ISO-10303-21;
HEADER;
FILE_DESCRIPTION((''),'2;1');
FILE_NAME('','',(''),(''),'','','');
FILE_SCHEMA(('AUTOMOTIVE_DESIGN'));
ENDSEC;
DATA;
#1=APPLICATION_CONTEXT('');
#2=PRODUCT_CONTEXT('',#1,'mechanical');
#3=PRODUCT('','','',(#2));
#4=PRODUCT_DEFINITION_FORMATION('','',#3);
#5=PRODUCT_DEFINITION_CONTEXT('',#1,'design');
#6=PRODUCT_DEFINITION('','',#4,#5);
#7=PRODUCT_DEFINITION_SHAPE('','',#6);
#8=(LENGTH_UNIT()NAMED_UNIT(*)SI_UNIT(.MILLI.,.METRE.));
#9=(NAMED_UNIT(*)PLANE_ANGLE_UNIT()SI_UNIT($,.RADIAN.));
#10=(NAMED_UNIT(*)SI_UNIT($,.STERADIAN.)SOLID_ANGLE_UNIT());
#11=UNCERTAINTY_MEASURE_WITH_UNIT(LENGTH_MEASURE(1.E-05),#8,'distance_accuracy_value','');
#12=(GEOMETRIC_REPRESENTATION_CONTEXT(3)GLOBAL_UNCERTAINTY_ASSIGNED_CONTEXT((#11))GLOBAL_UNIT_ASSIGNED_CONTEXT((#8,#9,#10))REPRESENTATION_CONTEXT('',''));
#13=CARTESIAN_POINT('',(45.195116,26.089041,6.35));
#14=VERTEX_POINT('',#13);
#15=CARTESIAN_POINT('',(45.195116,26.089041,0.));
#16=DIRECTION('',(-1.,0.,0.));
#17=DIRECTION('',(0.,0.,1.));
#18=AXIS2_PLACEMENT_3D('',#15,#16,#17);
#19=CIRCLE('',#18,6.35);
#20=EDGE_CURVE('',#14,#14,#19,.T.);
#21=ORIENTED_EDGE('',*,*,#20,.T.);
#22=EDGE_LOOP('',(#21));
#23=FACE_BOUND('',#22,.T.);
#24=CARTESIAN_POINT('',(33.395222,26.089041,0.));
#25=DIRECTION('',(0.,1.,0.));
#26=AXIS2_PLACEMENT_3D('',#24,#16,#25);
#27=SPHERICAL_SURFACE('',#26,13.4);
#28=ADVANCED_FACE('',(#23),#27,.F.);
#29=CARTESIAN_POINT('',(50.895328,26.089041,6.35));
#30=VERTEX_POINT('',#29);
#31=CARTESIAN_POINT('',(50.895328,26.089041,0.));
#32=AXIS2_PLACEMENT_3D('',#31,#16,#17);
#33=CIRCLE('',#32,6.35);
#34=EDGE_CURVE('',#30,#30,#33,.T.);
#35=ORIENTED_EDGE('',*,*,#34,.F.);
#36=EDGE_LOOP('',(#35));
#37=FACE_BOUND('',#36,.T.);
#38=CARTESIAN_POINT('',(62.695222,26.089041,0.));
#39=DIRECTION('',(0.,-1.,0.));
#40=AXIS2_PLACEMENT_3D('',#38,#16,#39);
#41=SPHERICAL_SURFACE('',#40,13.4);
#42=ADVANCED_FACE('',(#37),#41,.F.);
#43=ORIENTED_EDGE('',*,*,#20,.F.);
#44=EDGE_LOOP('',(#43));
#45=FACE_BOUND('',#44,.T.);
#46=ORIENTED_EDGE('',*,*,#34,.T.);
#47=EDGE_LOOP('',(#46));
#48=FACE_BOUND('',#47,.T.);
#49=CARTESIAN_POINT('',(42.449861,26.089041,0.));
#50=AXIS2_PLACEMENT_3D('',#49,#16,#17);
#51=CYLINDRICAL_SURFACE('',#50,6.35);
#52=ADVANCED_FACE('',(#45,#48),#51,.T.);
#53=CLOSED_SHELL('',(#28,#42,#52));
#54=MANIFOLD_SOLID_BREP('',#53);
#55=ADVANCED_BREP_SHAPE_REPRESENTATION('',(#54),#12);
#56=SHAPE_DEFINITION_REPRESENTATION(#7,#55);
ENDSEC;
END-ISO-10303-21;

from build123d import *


with BuildPart() as part:
    # 草图1 → 旋转1 (revolve)
    with BuildSketch(Plane.XY, mode=Mode.PRIVATE) as revolve_1_sk:
        with BuildLine():
            Line((46.795221984, 26.089041149), (49.295221984, 26.089041149))
            ThreePointArc((49.295221984, 26.089041149), (49.701404599, 29.363290643), (50.895327917, 32.439041149))
            Line((50.895327917, 32.439041149), (48.045221984, 32.439041149))
            Line((48.045221984, 32.439041149), (45.195116052, 32.439041149))
            ThreePointArc((45.195116052, 32.439041149), (46.38903937, 29.363290643), (46.795221984, 26.089041149))
        make_face()
    revolve(revolve_1_sk.sketch.rotate(Axis((42.449861114, 26.089041149, 0), (1, 0, 0)), 90), axis=Axis((42.449861114, 26.089041149, 0), (1, 0, 0)))  # turned: the seam where the file's is


solid = part.part
